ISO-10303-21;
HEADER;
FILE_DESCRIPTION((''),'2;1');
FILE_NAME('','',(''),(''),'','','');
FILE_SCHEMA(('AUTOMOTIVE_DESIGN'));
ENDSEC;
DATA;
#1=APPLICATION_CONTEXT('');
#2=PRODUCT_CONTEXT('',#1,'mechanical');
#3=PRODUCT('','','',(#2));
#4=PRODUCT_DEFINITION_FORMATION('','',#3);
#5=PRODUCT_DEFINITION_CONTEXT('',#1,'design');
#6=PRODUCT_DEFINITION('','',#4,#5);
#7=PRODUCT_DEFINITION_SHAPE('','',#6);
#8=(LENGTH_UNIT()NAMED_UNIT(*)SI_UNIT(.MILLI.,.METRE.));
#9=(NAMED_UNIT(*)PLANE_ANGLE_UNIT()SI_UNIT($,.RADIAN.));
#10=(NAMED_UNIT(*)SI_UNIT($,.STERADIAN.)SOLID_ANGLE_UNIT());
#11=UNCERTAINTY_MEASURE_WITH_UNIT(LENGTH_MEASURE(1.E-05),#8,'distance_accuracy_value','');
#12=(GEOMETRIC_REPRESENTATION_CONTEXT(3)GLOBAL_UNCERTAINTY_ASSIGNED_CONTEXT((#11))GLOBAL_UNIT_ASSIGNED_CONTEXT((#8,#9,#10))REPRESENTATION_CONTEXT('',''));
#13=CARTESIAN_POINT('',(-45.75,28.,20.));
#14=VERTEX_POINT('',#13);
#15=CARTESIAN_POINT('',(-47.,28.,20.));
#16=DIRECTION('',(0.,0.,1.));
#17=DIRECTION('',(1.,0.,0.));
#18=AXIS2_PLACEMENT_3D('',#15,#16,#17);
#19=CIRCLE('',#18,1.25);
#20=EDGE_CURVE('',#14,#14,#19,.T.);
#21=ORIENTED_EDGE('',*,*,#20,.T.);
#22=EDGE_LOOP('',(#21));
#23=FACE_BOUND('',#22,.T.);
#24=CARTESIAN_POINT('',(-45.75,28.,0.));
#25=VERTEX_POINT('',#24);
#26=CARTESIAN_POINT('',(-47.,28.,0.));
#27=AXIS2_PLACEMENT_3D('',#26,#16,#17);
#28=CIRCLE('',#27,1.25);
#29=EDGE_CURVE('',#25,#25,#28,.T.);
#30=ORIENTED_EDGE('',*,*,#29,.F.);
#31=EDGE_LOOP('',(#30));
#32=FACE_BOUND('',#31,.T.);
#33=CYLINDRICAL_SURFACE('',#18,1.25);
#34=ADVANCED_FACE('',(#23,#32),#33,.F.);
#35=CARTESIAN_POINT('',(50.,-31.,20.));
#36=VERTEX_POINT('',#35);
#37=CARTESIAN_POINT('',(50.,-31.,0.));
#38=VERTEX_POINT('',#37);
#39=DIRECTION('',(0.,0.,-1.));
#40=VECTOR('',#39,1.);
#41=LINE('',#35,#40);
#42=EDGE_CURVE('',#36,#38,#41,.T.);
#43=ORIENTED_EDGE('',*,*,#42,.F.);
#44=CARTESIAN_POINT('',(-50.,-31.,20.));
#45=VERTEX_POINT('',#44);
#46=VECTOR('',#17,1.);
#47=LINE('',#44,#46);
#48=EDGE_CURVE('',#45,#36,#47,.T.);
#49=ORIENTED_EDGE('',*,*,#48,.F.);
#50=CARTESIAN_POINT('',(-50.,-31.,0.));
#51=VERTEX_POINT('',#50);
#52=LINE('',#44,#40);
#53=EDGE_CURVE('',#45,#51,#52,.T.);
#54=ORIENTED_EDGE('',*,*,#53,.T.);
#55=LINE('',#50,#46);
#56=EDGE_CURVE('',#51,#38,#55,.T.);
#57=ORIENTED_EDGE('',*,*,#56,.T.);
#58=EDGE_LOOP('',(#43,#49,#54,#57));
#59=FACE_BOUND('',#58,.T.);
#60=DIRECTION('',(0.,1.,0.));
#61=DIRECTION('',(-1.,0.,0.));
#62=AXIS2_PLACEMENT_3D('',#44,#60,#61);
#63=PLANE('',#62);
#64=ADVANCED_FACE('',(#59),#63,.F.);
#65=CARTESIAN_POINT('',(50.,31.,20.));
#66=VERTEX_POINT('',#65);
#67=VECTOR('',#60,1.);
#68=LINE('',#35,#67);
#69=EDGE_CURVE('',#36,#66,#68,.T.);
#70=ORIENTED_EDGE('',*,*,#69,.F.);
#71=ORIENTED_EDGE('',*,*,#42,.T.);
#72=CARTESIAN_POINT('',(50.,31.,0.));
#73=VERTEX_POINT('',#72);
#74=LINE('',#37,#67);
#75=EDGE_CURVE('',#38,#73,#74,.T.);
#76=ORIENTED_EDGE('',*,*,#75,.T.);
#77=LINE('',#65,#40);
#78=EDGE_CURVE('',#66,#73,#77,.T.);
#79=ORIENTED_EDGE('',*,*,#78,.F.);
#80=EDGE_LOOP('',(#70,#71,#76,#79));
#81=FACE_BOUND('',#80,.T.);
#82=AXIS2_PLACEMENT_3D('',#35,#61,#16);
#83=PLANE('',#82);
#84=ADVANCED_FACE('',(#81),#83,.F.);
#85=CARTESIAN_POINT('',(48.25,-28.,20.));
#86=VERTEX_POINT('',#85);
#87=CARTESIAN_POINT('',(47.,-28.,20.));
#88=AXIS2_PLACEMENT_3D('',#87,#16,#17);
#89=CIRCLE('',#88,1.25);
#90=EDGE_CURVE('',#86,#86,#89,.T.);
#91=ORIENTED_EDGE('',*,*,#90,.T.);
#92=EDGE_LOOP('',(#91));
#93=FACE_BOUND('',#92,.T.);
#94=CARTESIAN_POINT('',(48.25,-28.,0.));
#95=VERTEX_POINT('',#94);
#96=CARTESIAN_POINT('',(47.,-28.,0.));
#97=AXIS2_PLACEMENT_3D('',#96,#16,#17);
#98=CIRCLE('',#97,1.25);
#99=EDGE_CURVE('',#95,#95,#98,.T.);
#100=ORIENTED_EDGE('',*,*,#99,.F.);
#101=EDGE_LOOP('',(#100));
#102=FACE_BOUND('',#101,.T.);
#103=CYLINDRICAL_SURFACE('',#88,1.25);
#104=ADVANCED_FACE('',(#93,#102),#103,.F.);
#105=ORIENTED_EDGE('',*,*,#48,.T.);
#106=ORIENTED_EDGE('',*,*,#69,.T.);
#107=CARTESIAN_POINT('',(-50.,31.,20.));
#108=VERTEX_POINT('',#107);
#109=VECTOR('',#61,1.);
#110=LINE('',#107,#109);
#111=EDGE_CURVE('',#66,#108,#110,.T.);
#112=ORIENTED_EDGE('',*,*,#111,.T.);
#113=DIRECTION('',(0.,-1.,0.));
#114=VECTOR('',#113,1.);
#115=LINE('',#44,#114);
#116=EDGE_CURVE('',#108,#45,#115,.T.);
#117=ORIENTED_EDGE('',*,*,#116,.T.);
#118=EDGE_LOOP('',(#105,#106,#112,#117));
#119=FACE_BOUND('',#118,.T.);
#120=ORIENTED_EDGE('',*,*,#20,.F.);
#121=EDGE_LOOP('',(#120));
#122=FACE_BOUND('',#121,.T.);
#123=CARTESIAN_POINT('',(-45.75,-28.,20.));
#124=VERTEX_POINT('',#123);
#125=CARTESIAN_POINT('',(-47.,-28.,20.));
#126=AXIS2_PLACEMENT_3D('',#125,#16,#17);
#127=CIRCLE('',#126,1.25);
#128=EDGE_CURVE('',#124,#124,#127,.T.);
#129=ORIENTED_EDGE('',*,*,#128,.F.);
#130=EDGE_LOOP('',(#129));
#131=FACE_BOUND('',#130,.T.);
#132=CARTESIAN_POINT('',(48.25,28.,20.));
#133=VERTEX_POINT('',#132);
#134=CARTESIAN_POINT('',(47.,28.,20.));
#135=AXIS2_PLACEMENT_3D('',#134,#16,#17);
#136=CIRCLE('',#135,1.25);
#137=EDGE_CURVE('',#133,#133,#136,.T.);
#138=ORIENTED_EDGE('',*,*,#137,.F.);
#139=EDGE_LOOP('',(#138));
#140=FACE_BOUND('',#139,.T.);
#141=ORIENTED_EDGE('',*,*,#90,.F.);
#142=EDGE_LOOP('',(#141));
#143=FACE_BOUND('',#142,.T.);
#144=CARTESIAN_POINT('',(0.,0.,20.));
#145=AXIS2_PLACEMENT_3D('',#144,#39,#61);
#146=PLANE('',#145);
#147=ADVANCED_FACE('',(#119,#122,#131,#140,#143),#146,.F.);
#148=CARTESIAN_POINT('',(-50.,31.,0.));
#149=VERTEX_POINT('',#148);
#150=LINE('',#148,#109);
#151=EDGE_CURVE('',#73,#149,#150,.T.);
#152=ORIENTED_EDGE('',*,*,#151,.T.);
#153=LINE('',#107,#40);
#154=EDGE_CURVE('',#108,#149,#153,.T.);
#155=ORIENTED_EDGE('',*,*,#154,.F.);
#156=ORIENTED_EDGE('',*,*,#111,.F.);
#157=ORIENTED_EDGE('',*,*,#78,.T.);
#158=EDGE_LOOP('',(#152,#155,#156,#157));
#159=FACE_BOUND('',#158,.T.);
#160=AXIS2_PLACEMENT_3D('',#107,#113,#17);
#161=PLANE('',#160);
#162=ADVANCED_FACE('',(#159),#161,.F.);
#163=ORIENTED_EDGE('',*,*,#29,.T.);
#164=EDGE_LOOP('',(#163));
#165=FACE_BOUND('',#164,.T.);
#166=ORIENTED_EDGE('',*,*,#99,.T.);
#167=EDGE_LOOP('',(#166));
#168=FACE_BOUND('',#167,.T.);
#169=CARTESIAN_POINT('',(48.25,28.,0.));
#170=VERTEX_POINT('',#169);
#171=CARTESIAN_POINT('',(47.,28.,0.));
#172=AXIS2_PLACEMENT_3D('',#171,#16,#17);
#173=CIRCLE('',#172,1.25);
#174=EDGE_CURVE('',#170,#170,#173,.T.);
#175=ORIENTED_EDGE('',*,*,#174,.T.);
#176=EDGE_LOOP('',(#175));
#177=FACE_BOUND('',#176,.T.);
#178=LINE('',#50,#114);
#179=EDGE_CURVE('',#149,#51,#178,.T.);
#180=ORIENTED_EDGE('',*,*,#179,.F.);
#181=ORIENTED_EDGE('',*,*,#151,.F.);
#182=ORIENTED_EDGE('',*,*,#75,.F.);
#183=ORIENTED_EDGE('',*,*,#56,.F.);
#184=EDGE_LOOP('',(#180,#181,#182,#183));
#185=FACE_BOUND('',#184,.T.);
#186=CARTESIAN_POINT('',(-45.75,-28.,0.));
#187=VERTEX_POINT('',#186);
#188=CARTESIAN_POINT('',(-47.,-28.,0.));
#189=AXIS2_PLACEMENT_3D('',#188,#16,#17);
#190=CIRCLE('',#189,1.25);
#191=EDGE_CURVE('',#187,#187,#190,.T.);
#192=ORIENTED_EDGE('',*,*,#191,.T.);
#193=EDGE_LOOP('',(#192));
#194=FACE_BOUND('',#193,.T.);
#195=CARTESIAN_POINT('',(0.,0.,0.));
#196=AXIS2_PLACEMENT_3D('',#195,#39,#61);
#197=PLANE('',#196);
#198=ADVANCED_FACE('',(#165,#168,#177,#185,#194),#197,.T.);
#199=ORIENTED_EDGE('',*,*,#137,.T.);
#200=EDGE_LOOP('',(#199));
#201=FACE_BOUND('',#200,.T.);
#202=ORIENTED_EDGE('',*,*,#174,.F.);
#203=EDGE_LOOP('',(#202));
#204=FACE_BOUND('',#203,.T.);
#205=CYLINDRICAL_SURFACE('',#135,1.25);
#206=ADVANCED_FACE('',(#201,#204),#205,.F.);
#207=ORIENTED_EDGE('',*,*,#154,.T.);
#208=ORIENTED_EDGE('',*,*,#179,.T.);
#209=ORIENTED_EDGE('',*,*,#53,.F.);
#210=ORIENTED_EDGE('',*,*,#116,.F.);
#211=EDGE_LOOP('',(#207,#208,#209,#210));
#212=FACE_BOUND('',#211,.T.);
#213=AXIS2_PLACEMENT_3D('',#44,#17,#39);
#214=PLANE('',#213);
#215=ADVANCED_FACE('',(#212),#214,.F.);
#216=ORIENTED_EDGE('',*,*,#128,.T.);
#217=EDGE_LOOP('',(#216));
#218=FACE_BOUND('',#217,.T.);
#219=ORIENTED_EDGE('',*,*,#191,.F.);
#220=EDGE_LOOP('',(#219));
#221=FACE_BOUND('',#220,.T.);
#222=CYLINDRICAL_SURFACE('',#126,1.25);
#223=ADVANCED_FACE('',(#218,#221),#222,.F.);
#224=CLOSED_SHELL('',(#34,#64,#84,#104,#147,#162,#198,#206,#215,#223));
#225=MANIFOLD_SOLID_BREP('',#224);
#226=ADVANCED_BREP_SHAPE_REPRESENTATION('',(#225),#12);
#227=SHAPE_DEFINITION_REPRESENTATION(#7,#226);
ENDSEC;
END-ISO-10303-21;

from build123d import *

# Parameters (mm, degrees)
SKETCH_1_W         = 100
SKETCH_1_H         = 62
EXTRUDE_1_DEPTH    = 20
HOLE_WIZARD_M3_1_D = 2.5


with BuildPart() as part:
    # 草图1 → 凸台-拉伸1 (new body)
    with BuildSketch(Plane.XY):
        Rectangle(SKETCH_1_W, SKETCH_1_H)
    extrude(amount=EXTRUDE_1_DEPTH)

    # M3 螺纹孔1 (through all)
    with Locations(Plane.XY.offset(20)):
        with Locations((-47, 28), (-47, -28), (47, -28), (47, 28)):
            Hole(HOLE_WIZARD_M3_1_D / 2)


solid = part.part
